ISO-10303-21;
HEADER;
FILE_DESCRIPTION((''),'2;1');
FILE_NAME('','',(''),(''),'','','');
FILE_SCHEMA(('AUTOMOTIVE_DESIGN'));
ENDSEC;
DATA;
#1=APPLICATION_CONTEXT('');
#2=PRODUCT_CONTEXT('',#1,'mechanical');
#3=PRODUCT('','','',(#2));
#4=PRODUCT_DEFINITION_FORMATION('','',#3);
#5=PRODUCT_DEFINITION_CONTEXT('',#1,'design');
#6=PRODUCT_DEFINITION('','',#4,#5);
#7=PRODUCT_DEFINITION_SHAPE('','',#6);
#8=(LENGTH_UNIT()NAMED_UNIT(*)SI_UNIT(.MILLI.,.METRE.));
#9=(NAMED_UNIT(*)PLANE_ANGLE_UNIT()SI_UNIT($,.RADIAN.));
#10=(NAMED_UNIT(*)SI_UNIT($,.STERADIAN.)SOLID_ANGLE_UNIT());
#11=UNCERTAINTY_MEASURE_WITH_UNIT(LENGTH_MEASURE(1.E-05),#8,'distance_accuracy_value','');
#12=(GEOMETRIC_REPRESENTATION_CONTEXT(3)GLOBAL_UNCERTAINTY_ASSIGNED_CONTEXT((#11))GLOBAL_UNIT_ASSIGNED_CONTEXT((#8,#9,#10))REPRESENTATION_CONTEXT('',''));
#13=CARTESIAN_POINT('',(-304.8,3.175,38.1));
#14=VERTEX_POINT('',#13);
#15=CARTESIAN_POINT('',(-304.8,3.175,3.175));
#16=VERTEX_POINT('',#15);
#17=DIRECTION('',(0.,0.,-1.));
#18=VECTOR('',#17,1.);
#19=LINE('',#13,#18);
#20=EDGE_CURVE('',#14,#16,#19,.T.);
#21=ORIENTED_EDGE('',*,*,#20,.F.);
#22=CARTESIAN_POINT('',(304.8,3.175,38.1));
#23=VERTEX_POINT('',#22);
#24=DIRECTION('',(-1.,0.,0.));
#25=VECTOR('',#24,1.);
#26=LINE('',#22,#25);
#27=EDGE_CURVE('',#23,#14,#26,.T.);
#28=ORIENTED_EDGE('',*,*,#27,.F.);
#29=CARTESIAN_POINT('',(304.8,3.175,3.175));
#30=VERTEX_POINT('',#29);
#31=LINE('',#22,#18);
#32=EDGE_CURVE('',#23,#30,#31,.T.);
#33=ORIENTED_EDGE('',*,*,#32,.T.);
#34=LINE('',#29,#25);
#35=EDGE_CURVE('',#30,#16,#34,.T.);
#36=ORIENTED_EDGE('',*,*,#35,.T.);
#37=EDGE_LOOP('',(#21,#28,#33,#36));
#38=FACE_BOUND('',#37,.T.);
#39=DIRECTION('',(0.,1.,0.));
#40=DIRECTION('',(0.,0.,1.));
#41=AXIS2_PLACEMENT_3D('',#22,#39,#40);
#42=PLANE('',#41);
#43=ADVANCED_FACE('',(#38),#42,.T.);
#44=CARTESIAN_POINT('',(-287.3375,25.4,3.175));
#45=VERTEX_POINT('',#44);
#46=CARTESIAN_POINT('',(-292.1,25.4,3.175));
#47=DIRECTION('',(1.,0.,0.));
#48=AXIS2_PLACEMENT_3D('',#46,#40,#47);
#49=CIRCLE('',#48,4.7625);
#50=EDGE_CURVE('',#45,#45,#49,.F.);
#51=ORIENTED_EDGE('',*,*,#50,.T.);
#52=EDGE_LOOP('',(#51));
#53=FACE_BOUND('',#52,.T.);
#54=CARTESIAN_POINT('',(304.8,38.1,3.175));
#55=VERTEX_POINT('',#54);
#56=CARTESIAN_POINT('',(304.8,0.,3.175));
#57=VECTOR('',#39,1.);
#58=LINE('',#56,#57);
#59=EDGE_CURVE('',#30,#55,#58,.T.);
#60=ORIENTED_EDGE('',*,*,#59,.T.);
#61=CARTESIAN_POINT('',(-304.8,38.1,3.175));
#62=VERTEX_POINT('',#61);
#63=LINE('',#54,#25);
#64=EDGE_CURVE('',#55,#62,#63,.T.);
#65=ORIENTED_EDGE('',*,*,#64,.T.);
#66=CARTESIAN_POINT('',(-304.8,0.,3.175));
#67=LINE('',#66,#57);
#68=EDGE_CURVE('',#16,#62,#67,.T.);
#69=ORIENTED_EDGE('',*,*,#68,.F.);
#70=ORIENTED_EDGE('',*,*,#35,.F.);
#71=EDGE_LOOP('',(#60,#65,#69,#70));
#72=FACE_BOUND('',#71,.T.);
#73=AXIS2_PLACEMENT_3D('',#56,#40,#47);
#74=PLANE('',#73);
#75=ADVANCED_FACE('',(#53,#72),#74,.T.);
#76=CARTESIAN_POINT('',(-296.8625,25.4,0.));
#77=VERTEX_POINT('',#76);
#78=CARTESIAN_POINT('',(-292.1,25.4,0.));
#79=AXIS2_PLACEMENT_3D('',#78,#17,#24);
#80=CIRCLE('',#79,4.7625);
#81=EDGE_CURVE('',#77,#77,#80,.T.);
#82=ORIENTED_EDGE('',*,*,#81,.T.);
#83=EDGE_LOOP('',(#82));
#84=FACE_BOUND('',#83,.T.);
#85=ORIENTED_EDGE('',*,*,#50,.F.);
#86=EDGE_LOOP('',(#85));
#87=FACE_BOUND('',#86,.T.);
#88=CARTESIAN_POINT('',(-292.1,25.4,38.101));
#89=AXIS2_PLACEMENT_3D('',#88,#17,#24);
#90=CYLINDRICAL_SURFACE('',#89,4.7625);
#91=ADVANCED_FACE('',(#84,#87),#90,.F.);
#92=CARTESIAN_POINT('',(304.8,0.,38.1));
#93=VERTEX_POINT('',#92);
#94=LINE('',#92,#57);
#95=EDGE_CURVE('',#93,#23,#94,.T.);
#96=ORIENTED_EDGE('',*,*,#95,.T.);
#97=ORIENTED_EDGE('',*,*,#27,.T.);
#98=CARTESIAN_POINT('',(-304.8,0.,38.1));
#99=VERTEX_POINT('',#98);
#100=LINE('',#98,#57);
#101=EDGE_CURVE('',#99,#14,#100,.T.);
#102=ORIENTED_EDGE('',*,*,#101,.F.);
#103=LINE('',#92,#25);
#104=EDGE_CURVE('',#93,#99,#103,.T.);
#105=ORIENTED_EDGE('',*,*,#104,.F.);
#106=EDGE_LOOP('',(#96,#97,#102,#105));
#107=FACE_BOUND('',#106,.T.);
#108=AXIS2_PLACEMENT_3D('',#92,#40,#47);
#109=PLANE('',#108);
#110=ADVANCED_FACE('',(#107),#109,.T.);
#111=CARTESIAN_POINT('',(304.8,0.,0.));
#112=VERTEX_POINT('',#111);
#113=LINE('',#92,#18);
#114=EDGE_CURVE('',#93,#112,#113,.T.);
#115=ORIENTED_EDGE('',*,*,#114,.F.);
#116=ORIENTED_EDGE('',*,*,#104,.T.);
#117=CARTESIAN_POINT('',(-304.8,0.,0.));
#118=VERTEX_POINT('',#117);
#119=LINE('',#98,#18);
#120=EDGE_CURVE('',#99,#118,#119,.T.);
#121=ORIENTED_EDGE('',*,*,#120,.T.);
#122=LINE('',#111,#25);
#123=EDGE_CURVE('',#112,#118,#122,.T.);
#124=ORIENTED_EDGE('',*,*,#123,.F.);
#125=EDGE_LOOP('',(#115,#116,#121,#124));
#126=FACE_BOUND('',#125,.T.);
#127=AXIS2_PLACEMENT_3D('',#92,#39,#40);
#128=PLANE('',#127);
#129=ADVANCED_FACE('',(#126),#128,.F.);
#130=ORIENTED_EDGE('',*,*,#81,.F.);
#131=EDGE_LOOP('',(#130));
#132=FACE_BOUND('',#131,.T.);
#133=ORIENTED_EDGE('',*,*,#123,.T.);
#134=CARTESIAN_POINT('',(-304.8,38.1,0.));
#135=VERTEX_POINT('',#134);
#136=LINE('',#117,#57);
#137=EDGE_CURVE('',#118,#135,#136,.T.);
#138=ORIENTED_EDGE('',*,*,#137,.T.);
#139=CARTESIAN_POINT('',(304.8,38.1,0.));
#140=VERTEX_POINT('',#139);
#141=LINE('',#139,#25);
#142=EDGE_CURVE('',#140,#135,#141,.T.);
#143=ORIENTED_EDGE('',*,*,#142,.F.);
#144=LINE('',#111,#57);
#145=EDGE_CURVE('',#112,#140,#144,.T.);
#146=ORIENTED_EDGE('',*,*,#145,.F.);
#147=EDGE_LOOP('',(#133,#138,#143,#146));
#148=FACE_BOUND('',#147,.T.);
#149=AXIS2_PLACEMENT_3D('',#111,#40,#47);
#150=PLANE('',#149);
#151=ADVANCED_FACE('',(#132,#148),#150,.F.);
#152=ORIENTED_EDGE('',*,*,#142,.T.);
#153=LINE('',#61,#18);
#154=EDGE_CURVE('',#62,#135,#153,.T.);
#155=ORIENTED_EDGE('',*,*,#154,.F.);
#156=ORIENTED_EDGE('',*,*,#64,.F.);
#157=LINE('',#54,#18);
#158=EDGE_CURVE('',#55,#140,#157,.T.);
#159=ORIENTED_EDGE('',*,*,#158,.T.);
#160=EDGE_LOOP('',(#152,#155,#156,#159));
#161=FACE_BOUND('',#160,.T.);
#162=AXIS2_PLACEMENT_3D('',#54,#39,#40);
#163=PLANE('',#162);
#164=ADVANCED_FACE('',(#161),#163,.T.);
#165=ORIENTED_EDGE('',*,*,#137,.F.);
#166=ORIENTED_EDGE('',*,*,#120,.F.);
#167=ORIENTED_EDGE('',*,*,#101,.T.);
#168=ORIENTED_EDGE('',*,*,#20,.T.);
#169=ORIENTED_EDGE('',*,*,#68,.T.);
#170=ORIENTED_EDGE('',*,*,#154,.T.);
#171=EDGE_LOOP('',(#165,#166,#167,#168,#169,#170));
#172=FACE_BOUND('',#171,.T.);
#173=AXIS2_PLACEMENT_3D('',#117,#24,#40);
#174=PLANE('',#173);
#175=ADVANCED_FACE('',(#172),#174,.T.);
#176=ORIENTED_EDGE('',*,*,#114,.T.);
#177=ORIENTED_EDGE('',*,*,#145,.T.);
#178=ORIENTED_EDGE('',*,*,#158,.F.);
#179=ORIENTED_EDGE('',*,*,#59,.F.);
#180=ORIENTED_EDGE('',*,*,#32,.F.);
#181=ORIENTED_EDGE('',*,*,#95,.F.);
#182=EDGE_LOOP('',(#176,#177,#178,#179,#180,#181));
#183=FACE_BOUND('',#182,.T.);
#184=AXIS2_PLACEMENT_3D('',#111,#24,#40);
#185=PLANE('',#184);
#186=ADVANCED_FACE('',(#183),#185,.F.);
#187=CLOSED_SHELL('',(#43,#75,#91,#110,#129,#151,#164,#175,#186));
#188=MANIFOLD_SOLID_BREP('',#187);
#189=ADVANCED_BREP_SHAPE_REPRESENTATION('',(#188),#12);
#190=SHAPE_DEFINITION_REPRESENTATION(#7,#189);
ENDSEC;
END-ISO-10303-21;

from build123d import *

# Parameters (mm, degrees)
EXTRUDE_THIN1_DEPTH = 304.8
CUT_EXTRUDE1_REACH  = 311.526
SKETCH2_R           = 4.7625


with BuildPart() as part:
    # Sketch1 → Extrude-Thin1 (new, symmetric)
    with BuildSketch(Plane(origin=(0, 0, 0), x_dir=(0, 0, -1), z_dir=(1, 0, 0))):
        Polygon((-38.1, 0), (0, 0), (0, 38.1), (-3.175, 38.1), (-3.175, 3.175), (-38.1, 3.175), align=None)
    extrude(amount=EXTRUDE_THIN1_DEPTH, both=True)

    # Sketch2 → Cut-Extrude1 (cut, up to next)
    with BuildSketch(Plane(origin=(0, 0, 0), x_dir=(-1, 0, 0), z_dir=(0, 0, -1)), mode=Mode.PRIVATE) as cut_extrude1_sk1:
        with Locations((292.1, 25.4)):
            Circle(SKETCH2_R)
    cut_extrude1_tool1 = extrude(cut_extrude1_sk1.sketch, amount=-CUT_EXTRUDE1_REACH, mode=Mode.PRIVATE) & part.part
    add(cut_extrude1_tool1.solids().sort_by_distance((-292.1, 25.4, 0))[0], mode=Mode.SUBTRACT)


solid = part.part
